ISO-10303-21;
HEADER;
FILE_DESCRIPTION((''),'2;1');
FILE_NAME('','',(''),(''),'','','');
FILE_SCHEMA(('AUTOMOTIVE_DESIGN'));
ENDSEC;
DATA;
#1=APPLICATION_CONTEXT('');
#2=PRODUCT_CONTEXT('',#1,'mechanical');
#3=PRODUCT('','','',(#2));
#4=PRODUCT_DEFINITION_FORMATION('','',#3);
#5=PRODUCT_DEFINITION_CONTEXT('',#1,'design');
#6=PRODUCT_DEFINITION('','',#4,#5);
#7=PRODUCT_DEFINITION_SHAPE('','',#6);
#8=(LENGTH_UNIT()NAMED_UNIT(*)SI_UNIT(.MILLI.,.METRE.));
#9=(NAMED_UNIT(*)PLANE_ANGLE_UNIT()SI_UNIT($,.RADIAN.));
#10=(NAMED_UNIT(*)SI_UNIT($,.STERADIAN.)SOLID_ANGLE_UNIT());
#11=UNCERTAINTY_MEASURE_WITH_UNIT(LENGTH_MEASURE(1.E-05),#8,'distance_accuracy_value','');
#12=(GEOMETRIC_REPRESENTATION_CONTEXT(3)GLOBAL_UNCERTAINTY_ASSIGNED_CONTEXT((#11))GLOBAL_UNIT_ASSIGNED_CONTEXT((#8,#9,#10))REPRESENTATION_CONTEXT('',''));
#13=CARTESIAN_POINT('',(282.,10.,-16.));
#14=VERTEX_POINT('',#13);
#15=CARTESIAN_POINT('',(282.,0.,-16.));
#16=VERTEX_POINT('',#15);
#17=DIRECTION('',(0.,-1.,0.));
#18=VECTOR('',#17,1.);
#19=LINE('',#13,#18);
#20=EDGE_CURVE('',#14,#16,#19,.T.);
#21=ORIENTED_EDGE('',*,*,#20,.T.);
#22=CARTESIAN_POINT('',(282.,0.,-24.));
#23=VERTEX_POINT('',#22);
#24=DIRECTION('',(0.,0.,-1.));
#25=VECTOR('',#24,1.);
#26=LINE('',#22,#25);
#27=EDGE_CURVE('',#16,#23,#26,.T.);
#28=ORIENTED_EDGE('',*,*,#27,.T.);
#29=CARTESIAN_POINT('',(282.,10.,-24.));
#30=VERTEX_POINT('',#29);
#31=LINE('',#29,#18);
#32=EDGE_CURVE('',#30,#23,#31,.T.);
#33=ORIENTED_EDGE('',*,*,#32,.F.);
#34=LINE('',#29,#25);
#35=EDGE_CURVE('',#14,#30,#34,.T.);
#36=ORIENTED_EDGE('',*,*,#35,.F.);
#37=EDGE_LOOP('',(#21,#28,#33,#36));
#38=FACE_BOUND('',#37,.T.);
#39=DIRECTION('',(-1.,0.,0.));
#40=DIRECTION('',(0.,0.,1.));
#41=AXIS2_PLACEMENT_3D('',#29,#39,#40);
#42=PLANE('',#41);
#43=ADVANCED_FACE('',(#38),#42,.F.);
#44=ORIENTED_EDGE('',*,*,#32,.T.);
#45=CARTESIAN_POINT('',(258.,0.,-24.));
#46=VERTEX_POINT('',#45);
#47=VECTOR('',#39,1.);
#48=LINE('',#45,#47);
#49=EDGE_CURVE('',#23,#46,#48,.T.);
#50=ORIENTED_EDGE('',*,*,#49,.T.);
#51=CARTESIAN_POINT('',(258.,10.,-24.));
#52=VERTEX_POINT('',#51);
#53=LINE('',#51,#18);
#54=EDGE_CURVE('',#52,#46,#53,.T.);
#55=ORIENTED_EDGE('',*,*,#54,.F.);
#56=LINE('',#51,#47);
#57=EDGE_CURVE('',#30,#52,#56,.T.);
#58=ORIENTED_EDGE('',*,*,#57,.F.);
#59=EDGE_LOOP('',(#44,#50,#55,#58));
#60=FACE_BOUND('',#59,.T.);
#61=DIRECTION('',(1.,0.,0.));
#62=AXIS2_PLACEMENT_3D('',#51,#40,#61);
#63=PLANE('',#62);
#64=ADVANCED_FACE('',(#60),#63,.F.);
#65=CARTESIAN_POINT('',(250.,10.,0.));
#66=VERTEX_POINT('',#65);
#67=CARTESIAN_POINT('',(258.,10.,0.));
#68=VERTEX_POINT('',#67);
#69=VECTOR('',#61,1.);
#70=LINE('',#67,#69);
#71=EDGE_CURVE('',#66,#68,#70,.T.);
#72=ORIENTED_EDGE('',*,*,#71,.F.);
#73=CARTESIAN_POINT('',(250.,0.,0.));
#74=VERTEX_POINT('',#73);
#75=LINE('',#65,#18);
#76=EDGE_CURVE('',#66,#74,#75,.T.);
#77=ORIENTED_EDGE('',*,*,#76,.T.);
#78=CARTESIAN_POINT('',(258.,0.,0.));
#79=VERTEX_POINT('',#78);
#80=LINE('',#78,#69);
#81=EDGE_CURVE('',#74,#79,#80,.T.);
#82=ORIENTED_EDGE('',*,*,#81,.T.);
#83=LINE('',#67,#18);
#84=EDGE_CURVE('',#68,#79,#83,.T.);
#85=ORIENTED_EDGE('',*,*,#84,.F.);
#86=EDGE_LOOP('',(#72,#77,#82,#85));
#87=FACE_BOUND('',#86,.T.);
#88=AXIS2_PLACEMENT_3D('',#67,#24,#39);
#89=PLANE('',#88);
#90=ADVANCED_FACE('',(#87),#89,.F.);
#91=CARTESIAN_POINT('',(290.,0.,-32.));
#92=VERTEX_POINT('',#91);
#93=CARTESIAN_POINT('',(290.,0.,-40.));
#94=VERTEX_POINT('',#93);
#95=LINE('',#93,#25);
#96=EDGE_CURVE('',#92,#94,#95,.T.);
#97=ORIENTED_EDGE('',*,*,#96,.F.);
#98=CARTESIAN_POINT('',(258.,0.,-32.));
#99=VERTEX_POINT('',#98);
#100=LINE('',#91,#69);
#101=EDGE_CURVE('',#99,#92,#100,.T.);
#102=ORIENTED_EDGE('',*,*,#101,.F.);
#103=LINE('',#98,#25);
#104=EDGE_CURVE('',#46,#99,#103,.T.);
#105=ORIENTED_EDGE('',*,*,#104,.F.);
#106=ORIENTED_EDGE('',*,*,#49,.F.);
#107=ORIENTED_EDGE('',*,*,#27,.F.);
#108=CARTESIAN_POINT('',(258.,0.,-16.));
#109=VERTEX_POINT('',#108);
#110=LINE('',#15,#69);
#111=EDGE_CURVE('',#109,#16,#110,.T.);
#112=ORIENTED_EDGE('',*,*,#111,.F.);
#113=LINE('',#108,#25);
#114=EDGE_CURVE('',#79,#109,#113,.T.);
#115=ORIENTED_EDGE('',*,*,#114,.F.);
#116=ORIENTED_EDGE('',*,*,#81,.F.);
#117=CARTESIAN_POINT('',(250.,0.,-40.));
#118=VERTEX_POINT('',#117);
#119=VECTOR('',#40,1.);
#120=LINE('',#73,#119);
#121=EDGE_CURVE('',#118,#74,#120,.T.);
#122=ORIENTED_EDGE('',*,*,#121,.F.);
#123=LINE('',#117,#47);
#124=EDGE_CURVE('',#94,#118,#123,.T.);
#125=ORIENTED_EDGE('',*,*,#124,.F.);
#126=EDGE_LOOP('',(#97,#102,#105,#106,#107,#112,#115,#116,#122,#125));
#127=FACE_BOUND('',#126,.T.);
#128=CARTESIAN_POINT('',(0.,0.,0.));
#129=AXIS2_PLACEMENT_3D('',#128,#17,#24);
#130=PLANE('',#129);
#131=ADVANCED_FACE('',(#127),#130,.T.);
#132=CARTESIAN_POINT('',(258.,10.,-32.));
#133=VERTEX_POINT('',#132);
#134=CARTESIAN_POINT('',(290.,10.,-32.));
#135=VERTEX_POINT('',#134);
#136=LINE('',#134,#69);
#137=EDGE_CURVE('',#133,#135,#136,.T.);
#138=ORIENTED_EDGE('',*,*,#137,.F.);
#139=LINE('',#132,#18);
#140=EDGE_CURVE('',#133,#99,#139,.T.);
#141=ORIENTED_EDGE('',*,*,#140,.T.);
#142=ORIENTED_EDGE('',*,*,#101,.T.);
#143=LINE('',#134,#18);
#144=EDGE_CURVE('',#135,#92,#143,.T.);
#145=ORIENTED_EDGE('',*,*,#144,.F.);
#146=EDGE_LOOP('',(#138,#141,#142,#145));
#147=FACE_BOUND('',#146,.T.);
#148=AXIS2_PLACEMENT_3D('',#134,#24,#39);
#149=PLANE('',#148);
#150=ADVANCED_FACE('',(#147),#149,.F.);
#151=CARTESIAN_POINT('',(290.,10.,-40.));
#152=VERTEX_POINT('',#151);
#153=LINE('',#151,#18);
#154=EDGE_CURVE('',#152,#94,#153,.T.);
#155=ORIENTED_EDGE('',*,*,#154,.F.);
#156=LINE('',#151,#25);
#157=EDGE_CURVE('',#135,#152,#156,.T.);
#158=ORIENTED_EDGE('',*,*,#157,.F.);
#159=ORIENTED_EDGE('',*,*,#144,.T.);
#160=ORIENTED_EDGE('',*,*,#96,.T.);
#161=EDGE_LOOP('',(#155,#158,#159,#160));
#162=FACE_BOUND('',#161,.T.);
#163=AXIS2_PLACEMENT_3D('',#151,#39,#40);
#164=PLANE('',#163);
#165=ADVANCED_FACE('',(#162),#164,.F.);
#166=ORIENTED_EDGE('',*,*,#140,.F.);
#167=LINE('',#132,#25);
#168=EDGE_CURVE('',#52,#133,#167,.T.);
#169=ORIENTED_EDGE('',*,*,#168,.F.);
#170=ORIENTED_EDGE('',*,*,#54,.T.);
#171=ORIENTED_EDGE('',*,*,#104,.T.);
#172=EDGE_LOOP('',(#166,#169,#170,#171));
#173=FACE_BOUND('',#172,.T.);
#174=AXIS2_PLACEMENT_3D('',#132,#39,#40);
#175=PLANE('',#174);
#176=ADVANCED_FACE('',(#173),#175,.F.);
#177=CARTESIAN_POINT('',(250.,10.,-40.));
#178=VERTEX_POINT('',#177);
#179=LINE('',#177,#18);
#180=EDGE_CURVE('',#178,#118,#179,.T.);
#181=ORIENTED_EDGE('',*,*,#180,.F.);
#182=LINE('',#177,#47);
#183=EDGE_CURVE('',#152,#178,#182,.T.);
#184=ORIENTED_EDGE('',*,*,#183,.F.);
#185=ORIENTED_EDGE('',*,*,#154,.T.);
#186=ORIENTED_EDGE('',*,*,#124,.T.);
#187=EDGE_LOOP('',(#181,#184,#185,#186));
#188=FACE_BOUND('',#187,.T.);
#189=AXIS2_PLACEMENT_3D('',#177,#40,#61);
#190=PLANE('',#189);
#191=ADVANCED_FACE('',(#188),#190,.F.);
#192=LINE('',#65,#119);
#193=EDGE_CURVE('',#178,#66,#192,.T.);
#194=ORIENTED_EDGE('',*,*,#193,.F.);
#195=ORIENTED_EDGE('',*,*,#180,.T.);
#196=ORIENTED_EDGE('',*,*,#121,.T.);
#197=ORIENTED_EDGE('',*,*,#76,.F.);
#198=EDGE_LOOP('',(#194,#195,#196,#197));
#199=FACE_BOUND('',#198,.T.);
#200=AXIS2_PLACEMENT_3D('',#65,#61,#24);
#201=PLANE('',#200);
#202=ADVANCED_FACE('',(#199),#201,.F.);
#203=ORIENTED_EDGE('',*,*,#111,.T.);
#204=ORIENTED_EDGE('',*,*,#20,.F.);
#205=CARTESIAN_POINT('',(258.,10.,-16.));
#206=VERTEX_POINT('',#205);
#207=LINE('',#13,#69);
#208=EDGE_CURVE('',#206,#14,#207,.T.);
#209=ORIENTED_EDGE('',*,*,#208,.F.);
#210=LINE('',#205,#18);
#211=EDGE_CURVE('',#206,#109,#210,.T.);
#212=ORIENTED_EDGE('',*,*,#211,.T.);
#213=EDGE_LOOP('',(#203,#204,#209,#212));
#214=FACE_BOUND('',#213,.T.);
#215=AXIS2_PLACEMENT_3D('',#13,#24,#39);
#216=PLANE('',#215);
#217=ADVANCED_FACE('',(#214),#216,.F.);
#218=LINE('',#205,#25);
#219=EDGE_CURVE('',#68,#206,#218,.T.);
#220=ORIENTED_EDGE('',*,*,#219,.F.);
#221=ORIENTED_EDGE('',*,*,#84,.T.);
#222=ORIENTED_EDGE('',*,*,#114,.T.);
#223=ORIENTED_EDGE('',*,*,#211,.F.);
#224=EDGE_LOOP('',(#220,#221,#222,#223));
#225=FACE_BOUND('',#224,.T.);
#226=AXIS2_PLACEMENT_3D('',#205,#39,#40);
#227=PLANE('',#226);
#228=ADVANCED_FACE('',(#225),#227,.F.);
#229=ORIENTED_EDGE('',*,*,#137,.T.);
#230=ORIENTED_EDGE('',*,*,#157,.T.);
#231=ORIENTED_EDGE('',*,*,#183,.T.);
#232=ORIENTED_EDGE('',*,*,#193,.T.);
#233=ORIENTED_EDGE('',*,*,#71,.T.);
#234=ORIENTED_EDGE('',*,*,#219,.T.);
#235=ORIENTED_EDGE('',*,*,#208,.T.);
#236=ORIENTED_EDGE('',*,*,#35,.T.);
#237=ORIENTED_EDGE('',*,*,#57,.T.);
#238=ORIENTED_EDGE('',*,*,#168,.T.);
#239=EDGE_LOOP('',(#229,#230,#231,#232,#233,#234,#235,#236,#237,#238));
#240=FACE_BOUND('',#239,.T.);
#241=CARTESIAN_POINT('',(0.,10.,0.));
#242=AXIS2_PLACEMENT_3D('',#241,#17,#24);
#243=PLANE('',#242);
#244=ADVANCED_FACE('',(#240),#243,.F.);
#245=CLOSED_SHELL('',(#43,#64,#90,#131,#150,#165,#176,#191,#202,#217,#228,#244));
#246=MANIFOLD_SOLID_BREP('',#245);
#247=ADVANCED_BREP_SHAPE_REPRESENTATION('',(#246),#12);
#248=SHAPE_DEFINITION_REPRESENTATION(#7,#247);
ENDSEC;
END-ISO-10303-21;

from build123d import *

# Parameters (mm, degrees)
BOSS_EXTRUDE1_DEPTH = 10


with BuildPart() as part:
    # Sketch1 → Boss-Extrude1 (new body)
    with BuildSketch(Plane(origin=(0, 0, 0), x_dir=(1, 0, 0), z_dir=(0, 1, 0))):
        Polygon((250, 0), (250, 40), (290, 40), (290, 32), (258, 32), (258, 24), (282, 24), (282, 16), (258, 16), (258, 0), align=None)
    extrude(amount=BOSS_EXTRUDE1_DEPTH)


solid = part.part
